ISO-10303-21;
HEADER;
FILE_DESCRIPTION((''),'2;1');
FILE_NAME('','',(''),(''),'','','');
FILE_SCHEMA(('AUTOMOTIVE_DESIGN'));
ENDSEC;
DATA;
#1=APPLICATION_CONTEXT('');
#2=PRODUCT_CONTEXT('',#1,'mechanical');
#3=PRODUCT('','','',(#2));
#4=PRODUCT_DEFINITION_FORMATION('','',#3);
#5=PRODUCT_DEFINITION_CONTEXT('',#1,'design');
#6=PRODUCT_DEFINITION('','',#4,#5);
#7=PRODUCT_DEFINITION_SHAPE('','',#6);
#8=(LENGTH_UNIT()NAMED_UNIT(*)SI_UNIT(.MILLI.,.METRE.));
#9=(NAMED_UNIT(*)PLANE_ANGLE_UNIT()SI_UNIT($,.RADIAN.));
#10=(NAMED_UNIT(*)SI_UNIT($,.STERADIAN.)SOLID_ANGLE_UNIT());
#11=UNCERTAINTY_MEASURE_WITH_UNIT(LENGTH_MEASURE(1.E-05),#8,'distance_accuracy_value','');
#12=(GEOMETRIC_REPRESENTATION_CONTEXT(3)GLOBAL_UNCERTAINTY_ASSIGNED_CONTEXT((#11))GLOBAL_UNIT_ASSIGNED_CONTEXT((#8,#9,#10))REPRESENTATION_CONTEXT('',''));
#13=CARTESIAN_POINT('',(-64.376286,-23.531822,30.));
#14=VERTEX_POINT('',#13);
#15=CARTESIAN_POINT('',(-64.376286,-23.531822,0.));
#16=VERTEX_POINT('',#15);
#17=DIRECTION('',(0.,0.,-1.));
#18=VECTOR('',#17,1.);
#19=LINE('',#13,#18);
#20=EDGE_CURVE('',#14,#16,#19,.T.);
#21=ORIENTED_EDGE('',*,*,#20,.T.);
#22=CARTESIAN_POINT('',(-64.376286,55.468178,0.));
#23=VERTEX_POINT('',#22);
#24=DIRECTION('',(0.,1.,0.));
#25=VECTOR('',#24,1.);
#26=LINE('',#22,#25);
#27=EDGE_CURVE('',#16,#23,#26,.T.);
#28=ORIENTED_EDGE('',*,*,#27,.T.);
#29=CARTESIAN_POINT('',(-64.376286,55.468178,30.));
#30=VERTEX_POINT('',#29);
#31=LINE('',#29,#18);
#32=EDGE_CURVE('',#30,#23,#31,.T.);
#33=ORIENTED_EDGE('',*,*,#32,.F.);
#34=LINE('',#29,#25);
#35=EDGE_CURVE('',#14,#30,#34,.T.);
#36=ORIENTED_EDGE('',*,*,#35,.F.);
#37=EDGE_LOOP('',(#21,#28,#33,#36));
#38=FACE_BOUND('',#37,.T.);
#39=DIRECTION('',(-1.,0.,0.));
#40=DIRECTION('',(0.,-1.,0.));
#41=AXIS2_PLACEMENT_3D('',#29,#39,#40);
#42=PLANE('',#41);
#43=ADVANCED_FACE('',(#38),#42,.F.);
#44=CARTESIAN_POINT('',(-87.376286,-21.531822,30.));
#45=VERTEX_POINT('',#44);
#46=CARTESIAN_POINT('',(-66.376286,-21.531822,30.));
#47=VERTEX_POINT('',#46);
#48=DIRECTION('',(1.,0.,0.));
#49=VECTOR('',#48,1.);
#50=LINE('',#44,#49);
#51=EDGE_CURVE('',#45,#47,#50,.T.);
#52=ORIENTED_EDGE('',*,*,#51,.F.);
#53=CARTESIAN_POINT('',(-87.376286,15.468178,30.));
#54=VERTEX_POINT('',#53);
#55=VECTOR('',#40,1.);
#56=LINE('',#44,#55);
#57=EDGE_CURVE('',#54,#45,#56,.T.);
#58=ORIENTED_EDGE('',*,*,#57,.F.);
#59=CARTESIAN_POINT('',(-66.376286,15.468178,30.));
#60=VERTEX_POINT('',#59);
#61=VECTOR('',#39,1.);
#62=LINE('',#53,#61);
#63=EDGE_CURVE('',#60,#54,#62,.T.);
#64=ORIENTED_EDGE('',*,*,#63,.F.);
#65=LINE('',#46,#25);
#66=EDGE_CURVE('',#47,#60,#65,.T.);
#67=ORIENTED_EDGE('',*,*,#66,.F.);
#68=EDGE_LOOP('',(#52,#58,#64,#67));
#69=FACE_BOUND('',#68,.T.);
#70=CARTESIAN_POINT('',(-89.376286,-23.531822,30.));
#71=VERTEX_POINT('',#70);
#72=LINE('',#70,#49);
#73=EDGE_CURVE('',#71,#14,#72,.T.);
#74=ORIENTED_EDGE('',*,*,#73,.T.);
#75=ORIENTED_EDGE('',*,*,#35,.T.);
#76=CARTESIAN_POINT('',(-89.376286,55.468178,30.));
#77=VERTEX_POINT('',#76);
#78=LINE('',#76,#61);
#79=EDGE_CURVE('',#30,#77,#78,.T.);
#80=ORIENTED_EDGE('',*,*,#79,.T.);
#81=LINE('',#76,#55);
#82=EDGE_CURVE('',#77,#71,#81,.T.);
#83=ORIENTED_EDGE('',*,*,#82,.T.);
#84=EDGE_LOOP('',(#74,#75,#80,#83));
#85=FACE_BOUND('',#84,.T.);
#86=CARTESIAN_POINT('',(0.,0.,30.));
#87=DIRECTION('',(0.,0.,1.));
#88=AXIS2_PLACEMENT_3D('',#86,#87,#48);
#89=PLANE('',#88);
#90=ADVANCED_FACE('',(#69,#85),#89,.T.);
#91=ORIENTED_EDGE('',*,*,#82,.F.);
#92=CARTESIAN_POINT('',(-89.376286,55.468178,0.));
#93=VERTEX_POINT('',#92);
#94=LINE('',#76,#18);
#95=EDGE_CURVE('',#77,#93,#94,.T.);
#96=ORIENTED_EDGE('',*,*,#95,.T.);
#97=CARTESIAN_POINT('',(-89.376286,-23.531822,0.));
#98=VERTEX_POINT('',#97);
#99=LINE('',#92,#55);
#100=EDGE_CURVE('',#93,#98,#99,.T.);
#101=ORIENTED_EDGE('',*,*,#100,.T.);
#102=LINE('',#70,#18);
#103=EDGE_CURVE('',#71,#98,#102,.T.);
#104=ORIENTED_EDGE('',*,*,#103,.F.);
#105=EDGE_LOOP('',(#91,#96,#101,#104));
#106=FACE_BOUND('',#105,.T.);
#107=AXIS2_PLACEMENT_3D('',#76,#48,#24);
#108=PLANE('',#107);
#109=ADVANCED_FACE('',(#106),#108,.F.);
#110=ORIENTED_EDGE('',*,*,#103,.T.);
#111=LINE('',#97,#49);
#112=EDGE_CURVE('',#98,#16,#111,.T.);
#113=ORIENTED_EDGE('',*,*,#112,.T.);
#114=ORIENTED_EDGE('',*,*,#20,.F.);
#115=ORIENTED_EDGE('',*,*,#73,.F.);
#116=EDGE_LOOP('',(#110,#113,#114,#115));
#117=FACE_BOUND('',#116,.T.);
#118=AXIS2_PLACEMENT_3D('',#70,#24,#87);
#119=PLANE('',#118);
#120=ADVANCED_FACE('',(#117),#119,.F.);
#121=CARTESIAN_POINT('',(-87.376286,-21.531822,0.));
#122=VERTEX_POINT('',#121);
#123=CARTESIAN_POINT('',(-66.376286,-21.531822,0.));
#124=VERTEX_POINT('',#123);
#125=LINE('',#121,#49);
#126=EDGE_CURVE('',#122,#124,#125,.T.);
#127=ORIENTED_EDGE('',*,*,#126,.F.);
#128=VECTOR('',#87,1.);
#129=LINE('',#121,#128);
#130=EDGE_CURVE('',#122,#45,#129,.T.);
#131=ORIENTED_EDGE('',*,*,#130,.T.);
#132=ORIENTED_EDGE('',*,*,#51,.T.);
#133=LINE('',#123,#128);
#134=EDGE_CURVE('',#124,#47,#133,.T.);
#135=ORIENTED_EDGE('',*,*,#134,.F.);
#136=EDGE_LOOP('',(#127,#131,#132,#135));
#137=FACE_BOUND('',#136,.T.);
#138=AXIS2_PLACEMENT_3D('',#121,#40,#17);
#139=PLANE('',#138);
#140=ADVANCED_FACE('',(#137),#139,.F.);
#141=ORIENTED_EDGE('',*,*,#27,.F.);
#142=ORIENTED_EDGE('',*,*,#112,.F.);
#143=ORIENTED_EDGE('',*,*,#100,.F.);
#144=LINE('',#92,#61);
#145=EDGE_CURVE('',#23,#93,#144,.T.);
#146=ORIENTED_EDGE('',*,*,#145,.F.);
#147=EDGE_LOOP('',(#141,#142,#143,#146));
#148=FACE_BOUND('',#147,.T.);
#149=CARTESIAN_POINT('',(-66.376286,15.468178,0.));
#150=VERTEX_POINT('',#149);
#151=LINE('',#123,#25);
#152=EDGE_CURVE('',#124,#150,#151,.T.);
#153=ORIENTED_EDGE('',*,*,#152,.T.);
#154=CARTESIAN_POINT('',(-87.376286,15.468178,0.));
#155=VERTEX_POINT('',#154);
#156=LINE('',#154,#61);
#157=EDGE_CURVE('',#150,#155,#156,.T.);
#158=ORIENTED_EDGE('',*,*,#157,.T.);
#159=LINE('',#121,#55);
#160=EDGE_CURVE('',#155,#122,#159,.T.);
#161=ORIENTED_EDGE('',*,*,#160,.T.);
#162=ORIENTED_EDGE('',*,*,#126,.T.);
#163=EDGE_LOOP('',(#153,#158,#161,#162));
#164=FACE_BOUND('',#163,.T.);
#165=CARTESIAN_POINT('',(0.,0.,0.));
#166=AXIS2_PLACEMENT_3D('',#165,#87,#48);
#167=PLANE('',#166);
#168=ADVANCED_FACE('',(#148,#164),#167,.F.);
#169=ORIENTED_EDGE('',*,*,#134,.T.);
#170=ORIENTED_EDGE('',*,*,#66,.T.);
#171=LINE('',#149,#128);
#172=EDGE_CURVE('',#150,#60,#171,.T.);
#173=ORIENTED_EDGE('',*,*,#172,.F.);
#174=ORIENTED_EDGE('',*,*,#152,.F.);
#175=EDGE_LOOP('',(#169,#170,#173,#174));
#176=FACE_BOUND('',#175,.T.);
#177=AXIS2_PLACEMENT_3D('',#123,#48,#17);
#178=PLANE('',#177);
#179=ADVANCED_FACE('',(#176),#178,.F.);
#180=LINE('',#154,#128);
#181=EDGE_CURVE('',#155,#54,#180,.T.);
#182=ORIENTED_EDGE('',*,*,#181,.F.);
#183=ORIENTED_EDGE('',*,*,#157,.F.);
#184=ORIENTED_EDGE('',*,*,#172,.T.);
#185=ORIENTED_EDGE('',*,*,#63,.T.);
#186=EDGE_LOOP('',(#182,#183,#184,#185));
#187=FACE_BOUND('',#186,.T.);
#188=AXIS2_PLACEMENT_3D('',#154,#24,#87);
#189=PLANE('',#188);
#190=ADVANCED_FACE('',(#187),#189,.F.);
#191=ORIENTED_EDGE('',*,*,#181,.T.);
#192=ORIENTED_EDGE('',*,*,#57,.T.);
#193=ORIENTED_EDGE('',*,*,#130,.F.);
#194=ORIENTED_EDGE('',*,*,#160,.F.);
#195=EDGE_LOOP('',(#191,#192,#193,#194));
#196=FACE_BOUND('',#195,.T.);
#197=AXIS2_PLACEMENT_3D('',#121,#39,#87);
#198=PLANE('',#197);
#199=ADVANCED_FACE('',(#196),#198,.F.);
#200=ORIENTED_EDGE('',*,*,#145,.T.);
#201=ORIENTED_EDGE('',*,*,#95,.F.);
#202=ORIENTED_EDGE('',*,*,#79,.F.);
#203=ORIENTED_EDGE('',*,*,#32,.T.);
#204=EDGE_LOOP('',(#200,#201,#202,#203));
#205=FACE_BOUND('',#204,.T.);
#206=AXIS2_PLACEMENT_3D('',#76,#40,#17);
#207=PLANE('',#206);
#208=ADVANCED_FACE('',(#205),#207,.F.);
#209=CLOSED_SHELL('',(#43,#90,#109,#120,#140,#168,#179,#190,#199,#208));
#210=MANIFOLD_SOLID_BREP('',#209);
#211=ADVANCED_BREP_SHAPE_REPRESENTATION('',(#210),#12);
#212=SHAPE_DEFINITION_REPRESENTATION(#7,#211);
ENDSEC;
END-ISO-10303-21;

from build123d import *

# Parameters (mm, degrees)
SKETCH1_W           = 25
SKETCH1_H           = 79
BOSS_EXTRUDE1_DEPTH = 30
SKETCH2_W           = 21
SKETCH2_H           = 37
CUT_EXTRUDE1_DEPTH  = 30


with BuildPart() as part:
    # Sketch1 → Boss-Extrude1 (new body)
    with BuildSketch(Plane.XY):
        with Locations((-76.876286082, 15.968177547)):
            Rectangle(SKETCH1_W, SKETCH1_H)
    extrude(amount=BOSS_EXTRUDE1_DEPTH)

    # Sketch2 → Cut-Extrude1 (cut)
    with BuildSketch(Plane.XY.offset(30)):
        with Locations((-76.876286082, -3.031822453)):
            Rectangle(SKETCH2_W, SKETCH2_H)
    extrude(amount=-CUT_EXTRUDE1_DEPTH, mode=Mode.SUBTRACT)


solid = part.part
